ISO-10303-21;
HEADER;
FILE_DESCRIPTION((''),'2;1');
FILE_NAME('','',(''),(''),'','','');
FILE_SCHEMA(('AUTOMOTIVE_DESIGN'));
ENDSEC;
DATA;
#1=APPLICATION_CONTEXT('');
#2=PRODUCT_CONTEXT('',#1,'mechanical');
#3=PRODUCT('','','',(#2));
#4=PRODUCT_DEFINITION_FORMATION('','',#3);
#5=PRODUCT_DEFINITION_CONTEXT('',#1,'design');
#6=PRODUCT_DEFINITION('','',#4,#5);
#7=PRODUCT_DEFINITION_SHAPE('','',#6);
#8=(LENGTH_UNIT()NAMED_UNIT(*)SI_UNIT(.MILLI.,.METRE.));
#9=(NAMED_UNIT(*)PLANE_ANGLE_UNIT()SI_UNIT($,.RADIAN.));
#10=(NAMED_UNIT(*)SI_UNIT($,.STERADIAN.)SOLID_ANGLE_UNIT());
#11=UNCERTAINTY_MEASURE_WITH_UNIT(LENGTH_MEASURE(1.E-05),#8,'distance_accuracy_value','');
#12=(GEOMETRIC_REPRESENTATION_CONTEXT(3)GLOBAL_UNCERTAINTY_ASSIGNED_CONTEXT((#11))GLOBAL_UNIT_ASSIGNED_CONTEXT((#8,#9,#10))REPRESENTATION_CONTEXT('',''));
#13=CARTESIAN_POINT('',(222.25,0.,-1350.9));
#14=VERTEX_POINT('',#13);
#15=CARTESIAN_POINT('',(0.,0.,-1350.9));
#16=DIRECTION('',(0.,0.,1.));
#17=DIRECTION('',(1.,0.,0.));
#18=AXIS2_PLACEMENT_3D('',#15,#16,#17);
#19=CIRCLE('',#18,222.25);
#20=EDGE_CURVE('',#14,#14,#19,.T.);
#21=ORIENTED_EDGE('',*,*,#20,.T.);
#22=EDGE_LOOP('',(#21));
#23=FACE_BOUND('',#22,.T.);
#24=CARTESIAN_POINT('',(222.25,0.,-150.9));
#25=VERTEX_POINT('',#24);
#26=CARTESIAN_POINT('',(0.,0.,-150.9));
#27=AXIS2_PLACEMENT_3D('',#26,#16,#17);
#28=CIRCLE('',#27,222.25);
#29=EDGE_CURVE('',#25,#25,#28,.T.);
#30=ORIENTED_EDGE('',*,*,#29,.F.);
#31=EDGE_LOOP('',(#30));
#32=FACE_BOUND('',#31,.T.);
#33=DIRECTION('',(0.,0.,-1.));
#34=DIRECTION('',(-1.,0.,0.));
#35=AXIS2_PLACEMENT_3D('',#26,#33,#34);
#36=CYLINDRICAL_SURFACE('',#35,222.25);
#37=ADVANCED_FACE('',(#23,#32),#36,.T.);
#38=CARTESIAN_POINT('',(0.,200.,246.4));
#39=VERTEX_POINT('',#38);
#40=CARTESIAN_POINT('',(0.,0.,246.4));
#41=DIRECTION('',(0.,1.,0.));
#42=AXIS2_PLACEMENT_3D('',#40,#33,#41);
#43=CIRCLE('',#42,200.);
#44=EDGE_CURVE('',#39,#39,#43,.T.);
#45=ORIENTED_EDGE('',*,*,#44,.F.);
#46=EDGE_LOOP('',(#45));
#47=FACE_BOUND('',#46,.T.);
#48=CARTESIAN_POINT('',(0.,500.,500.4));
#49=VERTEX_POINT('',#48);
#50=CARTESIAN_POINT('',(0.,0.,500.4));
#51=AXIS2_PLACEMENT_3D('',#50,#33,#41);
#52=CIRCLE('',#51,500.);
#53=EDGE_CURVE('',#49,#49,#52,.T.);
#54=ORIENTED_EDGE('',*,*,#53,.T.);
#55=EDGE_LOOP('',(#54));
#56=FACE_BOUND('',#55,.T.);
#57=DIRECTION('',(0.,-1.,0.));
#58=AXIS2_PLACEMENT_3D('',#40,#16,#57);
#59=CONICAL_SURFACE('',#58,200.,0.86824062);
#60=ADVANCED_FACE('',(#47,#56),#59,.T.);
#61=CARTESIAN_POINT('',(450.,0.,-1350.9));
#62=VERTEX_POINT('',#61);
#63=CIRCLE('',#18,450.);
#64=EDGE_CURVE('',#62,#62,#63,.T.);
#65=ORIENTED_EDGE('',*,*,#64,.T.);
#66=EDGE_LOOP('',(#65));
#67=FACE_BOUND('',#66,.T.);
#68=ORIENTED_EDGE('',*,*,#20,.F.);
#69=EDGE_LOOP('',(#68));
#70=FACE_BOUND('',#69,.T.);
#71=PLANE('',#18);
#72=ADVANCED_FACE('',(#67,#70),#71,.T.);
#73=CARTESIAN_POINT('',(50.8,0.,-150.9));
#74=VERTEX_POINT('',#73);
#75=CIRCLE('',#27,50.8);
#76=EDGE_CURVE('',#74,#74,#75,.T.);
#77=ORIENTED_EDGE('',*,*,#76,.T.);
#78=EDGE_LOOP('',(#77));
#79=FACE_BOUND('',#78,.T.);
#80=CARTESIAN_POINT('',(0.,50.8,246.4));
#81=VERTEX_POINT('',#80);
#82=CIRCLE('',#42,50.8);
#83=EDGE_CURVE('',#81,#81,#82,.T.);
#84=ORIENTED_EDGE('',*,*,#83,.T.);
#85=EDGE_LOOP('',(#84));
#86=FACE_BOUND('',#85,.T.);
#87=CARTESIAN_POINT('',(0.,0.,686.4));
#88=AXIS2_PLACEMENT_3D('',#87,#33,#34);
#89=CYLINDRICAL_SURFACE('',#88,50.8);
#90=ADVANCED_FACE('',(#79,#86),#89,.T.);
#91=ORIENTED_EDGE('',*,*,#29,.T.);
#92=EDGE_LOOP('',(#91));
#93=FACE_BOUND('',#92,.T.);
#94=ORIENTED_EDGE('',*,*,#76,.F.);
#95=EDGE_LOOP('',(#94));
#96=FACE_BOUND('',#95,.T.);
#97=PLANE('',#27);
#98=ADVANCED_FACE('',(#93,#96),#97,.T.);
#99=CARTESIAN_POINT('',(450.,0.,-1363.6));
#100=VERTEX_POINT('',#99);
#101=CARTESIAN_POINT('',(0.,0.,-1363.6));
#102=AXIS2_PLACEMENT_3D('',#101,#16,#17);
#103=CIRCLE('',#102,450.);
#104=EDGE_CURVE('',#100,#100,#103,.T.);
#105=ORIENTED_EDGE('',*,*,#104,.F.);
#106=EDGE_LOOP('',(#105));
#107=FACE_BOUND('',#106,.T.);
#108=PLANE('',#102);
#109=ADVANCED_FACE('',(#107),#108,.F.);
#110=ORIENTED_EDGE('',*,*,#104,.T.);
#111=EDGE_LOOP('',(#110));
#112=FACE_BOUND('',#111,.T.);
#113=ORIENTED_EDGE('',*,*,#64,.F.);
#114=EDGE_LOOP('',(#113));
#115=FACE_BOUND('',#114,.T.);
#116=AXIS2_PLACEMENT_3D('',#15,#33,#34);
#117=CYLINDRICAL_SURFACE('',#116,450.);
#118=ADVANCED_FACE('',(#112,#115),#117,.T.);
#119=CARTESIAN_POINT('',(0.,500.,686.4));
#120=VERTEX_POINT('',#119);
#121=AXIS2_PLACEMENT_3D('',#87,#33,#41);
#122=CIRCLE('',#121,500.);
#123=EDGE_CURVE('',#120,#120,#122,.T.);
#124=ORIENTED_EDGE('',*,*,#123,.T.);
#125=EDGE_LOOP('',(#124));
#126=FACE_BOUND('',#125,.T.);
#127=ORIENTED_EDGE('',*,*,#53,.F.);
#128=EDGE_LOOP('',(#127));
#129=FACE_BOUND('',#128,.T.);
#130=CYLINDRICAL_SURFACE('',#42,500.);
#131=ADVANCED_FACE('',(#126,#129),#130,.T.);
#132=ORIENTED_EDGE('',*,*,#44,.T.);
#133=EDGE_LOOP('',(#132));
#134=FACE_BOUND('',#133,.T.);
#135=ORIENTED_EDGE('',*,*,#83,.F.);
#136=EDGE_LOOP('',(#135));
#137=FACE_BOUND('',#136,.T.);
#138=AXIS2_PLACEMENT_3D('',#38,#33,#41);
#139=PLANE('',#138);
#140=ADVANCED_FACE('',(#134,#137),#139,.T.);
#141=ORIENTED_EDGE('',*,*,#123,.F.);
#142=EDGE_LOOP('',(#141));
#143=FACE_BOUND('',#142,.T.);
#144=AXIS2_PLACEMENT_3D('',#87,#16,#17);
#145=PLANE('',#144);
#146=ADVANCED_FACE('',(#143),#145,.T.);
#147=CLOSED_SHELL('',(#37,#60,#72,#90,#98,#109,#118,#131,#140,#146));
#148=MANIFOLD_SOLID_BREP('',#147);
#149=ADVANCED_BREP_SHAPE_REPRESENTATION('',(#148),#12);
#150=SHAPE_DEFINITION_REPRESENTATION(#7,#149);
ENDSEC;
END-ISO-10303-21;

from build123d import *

# Parameters (mm, degrees)
SKETCH1_R                = 50.8
BOSS_EXTRUDE1_DEPTH      = 686.4
BOSS_EXTRUDE1_DEPTH_BACK = 1363.6
SKETCH2_R                = 450
BOSS_EXTRUDE2_DEPTH      = 12.7
SKETCH3_R                = 222.25
BOSS_EXTRUDE3_DEPTH      = 1200


with BuildPart() as part:
    # Sketch1 → Boss-Extrude1 (new body, two sides)
    with BuildSketch(Plane.XY) as boss_extrude1_sk:
        Circle(SKETCH1_R)
    extrude(amount=BOSS_EXTRUDE1_DEPTH)
    extrude(boss_extrude1_sk.sketch, amount=-BOSS_EXTRUDE1_DEPTH_BACK)

    # Sketch2 → Boss-Extrude2 (add)
    with BuildSketch(Plane.XY.offset(-1363.6)):
        Circle(SKETCH2_R)
    extrude(amount=BOSS_EXTRUDE2_DEPTH)

    # Sketch3 → Boss-Extrude3 (add)
    with BuildSketch(Plane.XY.offset(-1350.9)):
        Circle(SKETCH3_R)
    extrude(amount=BOSS_EXTRUDE3_DEPTH)

    # Sketch5 → Revolve1 (revolve)
    with BuildSketch(Plane(origin=(0, 0, 0), x_dir=(0, 0, -1), z_dir=(1, 0, 0))):
        Polygon((-686.4, 0), (-686.4, 500), (-500.4, 500), (-246.4, 200), (-246.4, 0), align=None)
    revolve(axis=Axis((0, 0, 246.4), (0, 0, 1)))


solid = part.part
